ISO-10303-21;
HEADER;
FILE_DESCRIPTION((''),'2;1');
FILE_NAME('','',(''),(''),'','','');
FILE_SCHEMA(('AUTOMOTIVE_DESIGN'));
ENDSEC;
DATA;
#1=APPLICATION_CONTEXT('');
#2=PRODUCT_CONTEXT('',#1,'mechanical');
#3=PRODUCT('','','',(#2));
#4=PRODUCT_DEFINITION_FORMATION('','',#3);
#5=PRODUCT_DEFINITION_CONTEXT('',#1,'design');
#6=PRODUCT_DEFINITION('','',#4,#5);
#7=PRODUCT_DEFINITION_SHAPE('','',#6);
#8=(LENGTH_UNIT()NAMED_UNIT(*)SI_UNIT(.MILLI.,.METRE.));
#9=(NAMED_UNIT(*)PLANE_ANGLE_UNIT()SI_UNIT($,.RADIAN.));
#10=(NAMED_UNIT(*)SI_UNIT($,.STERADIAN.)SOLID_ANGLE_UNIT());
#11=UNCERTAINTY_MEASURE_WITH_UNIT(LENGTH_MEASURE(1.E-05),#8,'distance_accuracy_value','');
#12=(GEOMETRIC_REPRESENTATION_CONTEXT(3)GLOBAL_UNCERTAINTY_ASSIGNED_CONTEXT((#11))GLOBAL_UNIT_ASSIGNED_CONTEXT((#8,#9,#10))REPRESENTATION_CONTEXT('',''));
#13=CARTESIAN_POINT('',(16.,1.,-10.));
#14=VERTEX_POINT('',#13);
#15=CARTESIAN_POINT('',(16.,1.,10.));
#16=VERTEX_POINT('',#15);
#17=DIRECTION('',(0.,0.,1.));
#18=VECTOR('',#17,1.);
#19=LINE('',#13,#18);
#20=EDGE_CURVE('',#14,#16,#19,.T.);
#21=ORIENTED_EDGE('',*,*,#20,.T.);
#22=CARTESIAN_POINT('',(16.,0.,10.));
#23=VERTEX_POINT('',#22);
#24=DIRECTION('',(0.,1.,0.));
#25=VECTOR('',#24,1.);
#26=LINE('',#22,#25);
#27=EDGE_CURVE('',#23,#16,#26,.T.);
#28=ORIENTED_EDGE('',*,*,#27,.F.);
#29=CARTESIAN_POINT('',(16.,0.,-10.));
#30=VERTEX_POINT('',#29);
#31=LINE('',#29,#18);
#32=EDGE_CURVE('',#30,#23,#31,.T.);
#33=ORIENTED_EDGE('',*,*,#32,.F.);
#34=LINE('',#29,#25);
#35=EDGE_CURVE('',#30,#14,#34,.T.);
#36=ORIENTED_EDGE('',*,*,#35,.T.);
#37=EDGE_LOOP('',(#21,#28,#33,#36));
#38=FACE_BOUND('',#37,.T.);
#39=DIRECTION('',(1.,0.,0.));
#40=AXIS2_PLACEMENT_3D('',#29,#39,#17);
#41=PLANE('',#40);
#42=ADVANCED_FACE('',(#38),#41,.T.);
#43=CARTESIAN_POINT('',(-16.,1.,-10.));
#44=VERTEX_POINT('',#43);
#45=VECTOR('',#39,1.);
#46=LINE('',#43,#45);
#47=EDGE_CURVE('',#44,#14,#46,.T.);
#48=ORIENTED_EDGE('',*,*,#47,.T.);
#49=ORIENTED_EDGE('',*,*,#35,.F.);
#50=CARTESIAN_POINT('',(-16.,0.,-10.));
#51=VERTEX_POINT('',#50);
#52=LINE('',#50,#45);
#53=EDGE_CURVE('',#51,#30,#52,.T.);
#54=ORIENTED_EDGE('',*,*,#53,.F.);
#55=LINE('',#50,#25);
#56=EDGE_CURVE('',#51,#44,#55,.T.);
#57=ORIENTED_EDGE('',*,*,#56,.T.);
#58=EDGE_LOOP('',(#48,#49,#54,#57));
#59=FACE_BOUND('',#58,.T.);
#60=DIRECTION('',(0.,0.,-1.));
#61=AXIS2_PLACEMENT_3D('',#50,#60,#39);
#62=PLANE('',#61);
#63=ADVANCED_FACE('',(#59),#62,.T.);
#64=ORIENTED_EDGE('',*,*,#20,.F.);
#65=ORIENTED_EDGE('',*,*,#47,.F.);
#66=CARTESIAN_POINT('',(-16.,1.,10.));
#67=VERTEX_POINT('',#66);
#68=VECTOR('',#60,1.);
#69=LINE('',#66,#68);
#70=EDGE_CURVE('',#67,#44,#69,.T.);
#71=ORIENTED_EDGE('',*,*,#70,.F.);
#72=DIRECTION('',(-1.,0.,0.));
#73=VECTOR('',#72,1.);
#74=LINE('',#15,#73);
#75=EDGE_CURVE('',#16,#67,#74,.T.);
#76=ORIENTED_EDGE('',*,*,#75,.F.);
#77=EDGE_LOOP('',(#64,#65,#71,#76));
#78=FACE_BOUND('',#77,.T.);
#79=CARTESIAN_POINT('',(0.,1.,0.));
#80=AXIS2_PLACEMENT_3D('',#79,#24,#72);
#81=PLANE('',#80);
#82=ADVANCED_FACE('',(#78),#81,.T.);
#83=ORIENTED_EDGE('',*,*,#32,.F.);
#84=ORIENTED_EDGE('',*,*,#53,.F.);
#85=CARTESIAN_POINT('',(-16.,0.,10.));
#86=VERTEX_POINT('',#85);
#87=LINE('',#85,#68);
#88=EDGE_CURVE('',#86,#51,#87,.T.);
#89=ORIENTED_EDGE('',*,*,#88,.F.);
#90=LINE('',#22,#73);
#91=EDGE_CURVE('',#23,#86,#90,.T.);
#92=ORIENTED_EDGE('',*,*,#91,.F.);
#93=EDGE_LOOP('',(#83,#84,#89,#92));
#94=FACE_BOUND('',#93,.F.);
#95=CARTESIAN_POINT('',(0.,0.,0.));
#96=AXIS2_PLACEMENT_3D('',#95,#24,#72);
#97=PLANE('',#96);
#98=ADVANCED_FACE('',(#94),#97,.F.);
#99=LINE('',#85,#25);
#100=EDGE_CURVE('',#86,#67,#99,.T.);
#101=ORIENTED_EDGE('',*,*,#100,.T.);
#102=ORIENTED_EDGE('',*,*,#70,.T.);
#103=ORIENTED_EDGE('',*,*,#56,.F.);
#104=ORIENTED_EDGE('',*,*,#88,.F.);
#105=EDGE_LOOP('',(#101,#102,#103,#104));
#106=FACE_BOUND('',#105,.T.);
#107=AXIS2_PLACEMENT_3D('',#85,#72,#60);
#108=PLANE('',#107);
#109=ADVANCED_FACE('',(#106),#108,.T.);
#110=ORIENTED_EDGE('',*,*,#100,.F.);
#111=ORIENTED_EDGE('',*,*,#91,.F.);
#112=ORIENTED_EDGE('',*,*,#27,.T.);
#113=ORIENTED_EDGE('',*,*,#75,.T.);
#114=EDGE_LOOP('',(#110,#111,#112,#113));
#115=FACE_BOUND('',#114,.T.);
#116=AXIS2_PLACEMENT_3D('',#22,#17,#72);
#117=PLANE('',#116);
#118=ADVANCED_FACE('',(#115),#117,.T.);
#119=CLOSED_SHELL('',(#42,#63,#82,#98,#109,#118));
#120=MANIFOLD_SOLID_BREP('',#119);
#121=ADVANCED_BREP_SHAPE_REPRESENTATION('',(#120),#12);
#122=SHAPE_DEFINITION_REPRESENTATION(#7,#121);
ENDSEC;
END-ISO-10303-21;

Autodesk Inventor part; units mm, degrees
ref_plane "YZ Plane" through (0, 0, 0) normal (1, 0, 0) x (0, 1, 0)
ref_plane "XZ Plane" through (0, 0, 0) normal (0, 1, 0) x (-1, 0, 0)
ref_plane "XY Plane" through (0, 0, 0) normal (0, 0, 1) x (1, 0, 0)
sketch "Sketch1" plane through (0, 0, 0) normal (0, 1, 0) x (-1, 0, 0)
  line L0 (-16, 10) -> (16, 10)
  line L1 (16, 10) -> (16, -10)
  line L2 (16, -10) -> (-16, -10)
  line L3 (-16, -10) -> (-16, 10)
  line L4 (-16, 10) -> (16, -10) construction
  line L5 (16, 10) -> (-16, -10) construction
  point P0 (0, 0)
  dimension "d0" = 32
  dimension "d1" = 20
extrude "Extrusion1" add sketch "Sketch1" along normal blind 1
